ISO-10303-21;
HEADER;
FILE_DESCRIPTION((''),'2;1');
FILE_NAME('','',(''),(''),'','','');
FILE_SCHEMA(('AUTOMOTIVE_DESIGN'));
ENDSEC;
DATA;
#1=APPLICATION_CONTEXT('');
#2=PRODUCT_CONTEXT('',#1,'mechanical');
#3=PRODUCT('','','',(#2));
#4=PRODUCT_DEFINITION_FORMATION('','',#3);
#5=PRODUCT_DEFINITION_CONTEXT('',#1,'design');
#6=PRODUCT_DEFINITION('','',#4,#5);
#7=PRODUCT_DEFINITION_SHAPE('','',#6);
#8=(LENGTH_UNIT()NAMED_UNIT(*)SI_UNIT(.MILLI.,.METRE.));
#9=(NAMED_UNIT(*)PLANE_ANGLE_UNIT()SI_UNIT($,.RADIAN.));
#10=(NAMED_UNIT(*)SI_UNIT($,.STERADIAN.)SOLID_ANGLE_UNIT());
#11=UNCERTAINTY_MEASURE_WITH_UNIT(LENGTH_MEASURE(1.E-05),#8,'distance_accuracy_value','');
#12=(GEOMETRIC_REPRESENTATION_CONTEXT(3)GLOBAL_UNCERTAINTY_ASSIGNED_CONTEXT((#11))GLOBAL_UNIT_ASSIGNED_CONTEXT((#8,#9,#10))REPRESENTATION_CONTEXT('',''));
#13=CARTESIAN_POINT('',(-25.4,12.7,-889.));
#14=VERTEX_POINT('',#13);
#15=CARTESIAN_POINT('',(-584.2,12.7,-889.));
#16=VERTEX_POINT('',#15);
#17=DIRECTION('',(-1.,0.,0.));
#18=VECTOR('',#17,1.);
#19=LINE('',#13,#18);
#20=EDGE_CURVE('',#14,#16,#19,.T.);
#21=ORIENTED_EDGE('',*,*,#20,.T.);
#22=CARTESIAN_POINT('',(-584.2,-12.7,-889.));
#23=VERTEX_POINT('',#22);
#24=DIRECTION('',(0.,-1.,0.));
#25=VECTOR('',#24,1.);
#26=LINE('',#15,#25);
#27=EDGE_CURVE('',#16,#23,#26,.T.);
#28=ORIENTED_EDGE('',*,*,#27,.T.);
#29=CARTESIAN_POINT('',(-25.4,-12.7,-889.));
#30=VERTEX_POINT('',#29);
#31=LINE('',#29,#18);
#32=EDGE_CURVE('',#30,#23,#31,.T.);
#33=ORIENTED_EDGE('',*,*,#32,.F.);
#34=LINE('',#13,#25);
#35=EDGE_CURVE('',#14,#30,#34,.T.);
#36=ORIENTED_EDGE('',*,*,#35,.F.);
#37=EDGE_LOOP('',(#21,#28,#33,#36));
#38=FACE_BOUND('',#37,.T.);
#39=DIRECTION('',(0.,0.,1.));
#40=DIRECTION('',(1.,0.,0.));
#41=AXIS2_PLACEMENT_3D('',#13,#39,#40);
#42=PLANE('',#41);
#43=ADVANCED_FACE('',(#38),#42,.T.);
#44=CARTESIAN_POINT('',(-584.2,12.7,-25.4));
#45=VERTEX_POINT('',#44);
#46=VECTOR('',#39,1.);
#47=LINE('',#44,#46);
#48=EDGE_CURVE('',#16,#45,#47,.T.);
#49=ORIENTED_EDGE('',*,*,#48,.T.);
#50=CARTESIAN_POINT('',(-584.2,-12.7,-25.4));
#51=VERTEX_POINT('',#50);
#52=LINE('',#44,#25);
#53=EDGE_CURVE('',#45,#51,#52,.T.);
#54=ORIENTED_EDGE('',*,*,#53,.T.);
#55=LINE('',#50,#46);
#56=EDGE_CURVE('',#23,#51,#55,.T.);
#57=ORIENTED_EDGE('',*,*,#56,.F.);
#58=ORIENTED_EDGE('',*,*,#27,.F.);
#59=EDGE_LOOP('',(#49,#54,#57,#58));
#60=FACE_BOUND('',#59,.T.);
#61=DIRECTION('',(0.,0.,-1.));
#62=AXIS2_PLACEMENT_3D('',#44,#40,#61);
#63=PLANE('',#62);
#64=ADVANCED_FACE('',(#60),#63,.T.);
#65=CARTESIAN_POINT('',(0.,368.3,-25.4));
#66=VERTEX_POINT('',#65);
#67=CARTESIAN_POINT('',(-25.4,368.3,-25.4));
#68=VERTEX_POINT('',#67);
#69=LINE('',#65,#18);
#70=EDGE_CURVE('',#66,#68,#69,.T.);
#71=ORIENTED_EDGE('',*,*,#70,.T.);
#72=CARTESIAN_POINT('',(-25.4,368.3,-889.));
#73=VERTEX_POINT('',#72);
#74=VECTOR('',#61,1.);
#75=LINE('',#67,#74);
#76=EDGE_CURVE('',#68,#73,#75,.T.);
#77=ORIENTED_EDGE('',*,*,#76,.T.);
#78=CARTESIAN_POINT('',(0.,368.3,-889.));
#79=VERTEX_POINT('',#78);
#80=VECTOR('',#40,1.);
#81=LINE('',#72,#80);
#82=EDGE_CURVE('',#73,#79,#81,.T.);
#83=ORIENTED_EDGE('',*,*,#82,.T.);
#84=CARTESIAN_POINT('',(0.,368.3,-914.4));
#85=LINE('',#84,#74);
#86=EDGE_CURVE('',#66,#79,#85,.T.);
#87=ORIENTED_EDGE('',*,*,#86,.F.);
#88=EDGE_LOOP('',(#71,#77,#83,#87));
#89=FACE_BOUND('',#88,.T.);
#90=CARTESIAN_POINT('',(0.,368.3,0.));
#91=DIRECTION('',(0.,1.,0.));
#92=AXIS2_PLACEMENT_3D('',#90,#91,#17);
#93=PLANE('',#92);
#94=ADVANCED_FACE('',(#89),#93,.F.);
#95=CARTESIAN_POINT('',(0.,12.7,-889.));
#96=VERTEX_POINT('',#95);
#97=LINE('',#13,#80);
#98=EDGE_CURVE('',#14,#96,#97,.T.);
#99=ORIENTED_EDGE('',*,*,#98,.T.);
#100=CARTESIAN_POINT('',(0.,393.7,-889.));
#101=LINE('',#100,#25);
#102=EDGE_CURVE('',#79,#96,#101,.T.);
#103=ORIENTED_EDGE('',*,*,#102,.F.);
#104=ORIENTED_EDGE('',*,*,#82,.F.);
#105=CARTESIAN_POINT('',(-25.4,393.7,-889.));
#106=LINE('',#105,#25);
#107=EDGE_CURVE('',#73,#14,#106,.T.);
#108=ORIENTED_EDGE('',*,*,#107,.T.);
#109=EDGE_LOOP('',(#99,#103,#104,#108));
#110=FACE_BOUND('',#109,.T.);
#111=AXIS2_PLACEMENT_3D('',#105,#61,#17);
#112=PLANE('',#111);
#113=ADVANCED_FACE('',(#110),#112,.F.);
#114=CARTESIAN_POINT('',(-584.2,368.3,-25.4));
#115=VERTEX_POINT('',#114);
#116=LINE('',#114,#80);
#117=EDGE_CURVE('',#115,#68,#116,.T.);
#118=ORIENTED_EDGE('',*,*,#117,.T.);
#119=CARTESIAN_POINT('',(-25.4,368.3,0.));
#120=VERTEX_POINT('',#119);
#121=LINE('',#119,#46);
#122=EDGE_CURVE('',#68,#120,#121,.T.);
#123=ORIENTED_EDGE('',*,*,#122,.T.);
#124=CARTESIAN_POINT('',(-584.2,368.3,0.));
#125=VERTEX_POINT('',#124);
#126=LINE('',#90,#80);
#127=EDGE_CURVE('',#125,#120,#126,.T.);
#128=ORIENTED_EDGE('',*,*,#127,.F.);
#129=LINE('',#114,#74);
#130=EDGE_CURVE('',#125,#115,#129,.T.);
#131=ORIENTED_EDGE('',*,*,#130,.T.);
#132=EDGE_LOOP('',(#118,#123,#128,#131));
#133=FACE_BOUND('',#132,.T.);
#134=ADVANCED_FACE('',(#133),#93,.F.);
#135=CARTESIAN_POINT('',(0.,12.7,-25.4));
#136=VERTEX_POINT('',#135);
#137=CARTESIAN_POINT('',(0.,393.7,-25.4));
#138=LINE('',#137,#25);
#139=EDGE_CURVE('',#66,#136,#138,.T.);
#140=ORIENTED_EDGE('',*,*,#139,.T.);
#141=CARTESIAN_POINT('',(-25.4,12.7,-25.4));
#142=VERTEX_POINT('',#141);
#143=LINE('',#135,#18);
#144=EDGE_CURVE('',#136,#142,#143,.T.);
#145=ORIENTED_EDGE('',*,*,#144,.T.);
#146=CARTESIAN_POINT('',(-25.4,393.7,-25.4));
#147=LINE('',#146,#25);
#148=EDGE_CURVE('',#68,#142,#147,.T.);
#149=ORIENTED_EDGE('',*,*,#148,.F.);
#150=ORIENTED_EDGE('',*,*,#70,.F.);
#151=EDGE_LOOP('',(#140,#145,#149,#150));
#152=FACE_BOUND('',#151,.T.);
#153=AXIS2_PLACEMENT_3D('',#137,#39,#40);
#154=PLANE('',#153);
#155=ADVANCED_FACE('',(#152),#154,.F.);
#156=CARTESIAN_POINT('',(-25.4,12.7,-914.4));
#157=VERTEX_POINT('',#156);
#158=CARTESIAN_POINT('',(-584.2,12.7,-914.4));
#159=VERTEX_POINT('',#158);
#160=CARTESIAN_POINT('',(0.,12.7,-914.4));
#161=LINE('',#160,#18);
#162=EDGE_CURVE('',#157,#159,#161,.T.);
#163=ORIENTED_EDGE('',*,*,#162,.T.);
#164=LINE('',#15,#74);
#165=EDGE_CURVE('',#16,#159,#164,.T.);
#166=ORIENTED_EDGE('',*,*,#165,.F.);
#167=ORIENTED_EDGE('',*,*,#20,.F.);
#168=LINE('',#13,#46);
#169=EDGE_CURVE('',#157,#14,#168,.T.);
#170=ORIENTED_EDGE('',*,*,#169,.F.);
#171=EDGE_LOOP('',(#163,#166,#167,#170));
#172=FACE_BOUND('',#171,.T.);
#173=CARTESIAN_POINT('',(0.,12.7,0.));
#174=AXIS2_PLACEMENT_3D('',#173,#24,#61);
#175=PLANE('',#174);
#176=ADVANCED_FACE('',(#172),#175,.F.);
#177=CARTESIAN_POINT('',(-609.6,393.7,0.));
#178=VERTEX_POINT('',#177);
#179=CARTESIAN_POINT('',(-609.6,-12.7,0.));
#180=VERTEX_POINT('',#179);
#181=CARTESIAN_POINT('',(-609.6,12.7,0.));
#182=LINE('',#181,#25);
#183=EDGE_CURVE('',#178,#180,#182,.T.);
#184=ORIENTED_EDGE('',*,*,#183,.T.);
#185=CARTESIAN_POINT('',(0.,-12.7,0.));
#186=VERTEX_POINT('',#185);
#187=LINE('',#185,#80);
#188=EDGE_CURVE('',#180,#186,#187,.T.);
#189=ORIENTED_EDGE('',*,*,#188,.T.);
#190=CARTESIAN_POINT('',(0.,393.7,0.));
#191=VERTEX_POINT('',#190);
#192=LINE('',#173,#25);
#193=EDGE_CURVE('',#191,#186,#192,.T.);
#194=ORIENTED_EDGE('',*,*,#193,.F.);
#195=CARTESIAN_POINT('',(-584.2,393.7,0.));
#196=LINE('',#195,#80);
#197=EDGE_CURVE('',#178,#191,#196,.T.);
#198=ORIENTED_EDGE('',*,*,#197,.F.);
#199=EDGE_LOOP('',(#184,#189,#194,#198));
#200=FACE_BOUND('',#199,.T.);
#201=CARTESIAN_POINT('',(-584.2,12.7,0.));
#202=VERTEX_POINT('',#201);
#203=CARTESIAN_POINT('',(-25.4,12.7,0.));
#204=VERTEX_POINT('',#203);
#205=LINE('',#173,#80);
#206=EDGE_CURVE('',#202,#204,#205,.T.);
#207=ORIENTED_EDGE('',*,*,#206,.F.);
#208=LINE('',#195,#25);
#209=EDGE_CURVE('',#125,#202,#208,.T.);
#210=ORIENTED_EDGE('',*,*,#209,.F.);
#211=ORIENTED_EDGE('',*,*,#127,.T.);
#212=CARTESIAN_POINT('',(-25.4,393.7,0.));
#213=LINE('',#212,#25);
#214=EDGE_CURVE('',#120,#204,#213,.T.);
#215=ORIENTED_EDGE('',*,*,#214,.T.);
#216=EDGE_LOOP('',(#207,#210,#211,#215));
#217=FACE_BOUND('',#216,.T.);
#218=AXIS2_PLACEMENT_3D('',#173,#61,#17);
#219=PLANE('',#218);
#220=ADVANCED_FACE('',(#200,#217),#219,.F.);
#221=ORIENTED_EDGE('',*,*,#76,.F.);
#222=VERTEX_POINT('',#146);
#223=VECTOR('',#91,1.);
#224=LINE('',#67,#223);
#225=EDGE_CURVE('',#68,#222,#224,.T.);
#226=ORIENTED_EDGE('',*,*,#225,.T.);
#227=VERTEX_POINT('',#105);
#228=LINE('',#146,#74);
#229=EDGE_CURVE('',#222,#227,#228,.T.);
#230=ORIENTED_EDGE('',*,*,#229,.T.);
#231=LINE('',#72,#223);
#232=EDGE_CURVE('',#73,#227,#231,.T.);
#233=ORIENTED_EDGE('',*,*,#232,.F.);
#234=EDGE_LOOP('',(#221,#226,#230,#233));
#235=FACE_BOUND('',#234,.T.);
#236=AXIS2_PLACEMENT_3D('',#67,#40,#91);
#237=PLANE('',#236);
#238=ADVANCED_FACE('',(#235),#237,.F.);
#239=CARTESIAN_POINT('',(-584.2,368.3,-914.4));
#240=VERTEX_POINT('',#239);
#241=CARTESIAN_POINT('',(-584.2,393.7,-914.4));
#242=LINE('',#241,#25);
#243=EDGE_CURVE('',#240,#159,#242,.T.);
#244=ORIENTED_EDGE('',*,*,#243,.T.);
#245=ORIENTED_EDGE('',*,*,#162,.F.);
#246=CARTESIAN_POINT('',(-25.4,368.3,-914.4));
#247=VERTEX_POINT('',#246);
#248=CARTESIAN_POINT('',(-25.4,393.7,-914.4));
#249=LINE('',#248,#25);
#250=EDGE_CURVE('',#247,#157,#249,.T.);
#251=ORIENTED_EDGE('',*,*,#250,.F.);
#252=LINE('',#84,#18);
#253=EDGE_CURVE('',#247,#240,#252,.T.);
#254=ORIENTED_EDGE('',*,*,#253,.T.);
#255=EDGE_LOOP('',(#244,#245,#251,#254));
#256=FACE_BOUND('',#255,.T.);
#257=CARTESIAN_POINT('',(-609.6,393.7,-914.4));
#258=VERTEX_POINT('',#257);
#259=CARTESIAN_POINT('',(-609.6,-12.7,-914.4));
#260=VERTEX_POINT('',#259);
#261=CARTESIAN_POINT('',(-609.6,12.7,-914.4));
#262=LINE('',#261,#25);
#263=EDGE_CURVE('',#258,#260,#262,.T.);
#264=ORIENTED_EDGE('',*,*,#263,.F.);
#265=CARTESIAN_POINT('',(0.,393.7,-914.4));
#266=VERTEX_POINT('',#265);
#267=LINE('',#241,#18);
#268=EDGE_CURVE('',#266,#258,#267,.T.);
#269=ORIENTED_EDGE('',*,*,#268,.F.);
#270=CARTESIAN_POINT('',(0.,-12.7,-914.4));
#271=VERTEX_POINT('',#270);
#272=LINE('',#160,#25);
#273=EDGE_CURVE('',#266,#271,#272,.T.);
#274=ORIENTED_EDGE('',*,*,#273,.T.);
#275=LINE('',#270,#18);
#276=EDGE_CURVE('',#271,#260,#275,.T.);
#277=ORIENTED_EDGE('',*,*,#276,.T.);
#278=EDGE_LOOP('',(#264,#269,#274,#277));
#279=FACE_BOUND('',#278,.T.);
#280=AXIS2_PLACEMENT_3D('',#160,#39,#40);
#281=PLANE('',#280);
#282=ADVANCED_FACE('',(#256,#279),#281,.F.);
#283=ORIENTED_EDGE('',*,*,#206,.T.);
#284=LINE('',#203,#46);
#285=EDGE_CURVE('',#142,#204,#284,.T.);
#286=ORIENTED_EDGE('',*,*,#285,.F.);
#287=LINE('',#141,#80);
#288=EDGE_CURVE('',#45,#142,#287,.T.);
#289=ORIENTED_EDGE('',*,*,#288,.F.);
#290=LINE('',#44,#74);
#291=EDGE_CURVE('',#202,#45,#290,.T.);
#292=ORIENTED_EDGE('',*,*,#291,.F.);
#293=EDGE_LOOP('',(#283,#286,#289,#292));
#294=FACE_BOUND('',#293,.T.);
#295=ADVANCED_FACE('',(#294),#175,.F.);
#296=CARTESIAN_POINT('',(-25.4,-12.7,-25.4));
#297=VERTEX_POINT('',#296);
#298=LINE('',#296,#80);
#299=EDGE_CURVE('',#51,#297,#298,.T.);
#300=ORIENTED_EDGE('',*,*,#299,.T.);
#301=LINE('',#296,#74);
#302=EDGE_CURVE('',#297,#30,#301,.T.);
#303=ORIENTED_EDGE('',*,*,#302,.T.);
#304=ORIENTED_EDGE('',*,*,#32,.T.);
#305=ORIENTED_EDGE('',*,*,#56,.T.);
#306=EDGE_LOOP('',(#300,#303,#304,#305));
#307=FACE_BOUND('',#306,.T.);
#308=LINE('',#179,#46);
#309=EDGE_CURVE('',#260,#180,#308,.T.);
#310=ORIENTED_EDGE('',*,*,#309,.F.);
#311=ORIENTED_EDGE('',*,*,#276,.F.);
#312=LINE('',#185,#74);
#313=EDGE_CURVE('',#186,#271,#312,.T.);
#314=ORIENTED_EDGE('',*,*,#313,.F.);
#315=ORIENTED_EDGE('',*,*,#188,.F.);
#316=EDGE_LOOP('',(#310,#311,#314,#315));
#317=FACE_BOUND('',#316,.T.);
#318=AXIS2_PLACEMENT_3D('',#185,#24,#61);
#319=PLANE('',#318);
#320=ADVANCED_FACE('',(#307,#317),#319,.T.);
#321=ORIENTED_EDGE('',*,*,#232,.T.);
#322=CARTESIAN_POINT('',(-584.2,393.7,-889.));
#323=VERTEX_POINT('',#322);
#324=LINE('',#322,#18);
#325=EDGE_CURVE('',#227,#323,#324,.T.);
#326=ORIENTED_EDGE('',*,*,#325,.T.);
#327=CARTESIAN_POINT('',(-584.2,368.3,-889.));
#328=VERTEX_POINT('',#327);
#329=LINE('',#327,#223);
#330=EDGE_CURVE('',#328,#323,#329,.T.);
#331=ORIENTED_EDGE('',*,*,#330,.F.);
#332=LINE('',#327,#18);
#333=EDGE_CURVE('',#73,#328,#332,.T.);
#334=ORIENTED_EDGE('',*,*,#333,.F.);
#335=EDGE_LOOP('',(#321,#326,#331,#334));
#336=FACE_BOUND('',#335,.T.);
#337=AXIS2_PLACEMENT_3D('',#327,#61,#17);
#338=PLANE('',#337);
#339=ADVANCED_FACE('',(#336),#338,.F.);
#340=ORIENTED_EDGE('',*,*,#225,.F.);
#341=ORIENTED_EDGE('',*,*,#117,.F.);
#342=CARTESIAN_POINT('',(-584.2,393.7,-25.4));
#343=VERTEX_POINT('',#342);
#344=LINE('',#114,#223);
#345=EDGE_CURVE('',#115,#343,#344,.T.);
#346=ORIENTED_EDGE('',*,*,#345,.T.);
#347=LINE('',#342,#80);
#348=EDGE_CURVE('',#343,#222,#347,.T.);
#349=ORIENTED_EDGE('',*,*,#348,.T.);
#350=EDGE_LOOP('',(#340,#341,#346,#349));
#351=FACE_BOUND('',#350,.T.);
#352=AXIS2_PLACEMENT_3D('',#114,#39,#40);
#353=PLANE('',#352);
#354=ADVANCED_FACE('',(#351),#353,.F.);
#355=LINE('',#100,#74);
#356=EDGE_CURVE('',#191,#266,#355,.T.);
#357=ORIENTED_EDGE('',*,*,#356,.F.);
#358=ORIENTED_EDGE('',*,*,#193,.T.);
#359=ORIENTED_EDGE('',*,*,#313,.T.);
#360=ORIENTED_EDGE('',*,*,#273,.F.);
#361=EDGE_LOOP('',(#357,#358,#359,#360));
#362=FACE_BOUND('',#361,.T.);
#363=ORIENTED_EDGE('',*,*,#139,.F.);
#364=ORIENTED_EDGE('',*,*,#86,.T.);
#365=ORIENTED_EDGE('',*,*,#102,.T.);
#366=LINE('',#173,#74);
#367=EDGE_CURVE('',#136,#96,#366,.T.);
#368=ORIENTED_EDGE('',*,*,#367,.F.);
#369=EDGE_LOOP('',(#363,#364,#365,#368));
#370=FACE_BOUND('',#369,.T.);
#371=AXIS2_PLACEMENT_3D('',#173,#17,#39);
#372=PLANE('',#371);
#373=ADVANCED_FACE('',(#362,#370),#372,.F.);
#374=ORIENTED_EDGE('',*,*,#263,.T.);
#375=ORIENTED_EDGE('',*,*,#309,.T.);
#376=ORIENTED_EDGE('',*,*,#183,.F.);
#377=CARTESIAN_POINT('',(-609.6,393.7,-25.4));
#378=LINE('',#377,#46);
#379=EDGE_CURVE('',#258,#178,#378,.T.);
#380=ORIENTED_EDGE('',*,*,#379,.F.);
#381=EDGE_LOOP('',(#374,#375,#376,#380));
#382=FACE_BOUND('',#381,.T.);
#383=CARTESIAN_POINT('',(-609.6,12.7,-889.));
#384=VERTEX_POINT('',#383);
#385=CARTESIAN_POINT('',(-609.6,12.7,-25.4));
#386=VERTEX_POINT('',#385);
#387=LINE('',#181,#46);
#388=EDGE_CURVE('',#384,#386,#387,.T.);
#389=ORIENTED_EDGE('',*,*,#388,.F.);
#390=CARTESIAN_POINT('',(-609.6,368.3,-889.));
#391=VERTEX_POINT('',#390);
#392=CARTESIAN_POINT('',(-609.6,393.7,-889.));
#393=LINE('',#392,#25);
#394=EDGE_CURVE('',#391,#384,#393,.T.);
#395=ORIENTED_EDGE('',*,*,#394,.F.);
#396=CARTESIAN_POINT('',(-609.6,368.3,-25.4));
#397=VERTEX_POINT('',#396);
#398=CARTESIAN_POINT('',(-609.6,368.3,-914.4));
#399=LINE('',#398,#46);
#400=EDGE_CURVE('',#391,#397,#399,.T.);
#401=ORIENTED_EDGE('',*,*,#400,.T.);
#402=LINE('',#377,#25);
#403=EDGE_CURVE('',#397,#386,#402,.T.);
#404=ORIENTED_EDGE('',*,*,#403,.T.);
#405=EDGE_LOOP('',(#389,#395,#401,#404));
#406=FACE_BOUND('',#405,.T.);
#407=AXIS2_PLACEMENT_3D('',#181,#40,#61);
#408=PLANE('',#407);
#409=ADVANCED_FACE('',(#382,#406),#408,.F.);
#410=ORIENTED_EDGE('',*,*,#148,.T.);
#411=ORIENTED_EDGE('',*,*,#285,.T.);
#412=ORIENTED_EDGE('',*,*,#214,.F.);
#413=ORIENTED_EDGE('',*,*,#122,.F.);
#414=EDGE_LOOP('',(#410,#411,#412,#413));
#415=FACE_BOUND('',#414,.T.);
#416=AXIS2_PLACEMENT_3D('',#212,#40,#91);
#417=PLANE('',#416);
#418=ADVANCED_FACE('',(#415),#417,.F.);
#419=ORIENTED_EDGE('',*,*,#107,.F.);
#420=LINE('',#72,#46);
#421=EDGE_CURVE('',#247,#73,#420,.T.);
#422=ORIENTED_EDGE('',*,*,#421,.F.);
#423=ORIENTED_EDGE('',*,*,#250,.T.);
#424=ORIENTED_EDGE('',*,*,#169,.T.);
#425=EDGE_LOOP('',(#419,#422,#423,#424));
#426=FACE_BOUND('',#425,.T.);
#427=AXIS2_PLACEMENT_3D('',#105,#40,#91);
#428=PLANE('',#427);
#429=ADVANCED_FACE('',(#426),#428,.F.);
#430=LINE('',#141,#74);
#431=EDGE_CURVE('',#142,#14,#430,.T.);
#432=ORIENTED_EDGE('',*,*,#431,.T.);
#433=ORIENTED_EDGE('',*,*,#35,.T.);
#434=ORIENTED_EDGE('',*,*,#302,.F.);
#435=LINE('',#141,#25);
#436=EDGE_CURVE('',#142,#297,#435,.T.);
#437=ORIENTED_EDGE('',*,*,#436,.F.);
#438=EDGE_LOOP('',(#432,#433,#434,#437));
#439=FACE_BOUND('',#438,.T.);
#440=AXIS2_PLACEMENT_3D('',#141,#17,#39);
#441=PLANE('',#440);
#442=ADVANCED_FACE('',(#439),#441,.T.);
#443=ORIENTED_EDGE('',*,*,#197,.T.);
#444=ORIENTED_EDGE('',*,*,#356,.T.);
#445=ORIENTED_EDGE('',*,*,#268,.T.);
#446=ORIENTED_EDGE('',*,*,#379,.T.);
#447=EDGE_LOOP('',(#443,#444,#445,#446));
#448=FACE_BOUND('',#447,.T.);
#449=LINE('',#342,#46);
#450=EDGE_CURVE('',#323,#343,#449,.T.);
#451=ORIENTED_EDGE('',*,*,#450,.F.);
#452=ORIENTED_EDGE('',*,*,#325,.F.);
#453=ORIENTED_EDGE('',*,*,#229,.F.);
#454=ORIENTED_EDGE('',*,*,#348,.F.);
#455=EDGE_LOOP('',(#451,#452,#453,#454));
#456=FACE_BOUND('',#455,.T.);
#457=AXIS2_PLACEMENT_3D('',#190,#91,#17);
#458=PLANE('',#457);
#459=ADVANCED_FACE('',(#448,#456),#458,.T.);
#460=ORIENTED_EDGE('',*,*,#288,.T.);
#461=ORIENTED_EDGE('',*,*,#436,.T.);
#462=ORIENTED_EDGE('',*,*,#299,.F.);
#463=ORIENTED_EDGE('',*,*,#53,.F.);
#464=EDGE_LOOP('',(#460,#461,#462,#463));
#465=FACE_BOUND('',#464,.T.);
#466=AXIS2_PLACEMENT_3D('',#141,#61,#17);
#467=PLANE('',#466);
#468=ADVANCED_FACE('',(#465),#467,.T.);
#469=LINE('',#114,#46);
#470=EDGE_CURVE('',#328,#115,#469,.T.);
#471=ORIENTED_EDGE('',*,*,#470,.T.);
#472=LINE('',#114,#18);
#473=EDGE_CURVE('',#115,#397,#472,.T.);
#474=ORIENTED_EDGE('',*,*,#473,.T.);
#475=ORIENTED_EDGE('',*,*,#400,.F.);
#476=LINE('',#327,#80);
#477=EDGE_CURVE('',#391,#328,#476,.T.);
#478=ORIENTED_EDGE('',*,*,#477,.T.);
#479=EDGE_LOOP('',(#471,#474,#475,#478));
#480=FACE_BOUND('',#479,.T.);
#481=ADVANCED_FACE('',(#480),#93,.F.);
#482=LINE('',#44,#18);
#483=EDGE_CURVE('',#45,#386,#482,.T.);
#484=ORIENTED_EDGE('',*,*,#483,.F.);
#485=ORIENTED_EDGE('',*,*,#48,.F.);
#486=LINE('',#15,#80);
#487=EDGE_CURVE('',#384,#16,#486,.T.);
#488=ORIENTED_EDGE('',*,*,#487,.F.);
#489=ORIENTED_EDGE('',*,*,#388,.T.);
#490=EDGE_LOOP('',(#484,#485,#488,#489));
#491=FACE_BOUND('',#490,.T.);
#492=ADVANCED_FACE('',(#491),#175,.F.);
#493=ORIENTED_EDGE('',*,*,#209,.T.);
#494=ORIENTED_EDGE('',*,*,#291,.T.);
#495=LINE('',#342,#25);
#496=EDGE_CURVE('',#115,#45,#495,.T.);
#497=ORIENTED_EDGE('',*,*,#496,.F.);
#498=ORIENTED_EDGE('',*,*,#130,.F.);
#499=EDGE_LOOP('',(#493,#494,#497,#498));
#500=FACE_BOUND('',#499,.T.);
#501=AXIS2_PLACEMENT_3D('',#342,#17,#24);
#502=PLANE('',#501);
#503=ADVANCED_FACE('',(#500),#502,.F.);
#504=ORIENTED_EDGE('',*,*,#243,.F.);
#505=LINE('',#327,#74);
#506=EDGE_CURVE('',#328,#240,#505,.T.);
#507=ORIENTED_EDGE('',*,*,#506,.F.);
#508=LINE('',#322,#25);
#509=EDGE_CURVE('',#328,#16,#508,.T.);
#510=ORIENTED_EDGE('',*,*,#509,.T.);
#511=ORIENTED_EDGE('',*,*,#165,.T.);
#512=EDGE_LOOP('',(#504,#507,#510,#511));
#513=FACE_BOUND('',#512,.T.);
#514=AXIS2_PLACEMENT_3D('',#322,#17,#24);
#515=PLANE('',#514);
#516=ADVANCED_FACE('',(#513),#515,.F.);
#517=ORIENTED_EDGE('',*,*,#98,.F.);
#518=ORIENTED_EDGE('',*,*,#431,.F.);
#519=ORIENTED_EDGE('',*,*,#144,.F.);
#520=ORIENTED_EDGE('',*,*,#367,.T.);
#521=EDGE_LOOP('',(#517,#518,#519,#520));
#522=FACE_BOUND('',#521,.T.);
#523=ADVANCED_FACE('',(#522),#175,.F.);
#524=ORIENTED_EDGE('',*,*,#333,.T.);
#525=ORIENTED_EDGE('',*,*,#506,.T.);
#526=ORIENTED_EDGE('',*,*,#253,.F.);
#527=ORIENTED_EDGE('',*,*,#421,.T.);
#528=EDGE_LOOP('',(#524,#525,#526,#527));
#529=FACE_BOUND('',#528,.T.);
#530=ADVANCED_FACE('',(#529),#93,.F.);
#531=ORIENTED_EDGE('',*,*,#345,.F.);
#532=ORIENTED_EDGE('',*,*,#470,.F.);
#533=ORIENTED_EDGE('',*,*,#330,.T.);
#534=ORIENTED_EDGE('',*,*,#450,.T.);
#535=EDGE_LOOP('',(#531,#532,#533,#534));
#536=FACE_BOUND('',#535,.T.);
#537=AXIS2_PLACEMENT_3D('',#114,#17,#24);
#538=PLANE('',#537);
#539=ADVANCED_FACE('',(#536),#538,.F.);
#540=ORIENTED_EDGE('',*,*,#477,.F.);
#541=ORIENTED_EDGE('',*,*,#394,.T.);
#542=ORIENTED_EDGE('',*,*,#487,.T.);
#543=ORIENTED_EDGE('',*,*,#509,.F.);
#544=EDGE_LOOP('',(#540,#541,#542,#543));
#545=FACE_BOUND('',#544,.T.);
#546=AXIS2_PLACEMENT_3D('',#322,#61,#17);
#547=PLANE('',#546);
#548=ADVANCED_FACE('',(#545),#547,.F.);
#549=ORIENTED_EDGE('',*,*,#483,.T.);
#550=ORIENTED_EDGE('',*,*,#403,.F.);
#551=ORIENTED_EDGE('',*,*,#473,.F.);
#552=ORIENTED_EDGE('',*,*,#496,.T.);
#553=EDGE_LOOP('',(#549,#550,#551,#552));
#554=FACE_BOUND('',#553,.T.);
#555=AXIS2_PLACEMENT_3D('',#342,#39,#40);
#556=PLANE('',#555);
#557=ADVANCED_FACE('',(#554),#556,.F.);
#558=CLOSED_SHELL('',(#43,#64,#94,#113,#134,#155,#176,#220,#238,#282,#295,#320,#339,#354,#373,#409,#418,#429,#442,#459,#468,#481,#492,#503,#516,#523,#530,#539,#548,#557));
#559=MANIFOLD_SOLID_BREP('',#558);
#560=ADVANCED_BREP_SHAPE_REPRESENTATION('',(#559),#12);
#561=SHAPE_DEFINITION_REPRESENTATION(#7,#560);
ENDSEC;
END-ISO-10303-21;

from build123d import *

# Parameters (mm, degrees)
SKETCH1_W           = 914.4
SKETCH1_H           = 609.6
SKETCH1_W_2         = 863.6
SKETCH1_H_2         = 558.8
BOSS_EXTRUDE1_DEPTH = 12.7
SKETCH2_W           = 25.4
SKETCH2_H           = 25.4
BOSS_EXTRUDE2_DEPTH = 381
SKETCH3_W           = 914.4
SKETCH3_H           = 609.6
SKETCH3_W_2         = 863.6
SKETCH3_H_2         = 558.8
BOSS_EXTRUDE3_DEPTH = 25.4


with BuildPart() as part:
    # Sketch1 → Boss-Extrude1 (new body, symmetric)
    with BuildSketch(Plane(origin=(0, 0, 0), x_dir=(0, 0, -1), z_dir=(0, 1, 0))):
        with Locations((457.2, 304.8)):
            Rectangle(SKETCH1_W, SKETCH1_H)
        with Locations((457.2, 304.8)):
            Rectangle(SKETCH1_W_2, SKETCH1_H_2, mode=Mode.SUBTRACT)
    extrude(amount=BOSS_EXTRUDE1_DEPTH, both=True)

    # Sketch2 → Boss-Extrude2 (add)
    with BuildSketch(Plane(origin=(0, 12.7, 0), x_dir=(0, 0, -1), z_dir=(0, 1, 0))):
        with Locations((12.7, 596.9)):
            Rectangle(SKETCH2_W, SKETCH2_H)
        with Locations((901.7, 596.9)):
            Rectangle(SKETCH2_W, SKETCH2_H)
        with Locations((901.7, 12.7)):
            Rectangle(SKETCH2_W, SKETCH2_H)
        with Locations((12.7, 12.7)):
            Rectangle(SKETCH2_W, SKETCH2_H)
    extrude(amount=BOSS_EXTRUDE2_DEPTH)

    # Sketch3 → Boss-Extrude3 (add)
    with BuildSketch(Plane(origin=(0, 393.7, 0), x_dir=(0, 0, -1), z_dir=(0, 1, 0))):
        with Locations((457.2, 304.8)):
            Rectangle(SKETCH3_W, SKETCH3_H)
        with Locations((457.2, 304.8)):
            Rectangle(SKETCH3_W_2, SKETCH3_H_2, mode=Mode.SUBTRACT)
    extrude(amount=-BOSS_EXTRUDE3_DEPTH)


solid = part.part
